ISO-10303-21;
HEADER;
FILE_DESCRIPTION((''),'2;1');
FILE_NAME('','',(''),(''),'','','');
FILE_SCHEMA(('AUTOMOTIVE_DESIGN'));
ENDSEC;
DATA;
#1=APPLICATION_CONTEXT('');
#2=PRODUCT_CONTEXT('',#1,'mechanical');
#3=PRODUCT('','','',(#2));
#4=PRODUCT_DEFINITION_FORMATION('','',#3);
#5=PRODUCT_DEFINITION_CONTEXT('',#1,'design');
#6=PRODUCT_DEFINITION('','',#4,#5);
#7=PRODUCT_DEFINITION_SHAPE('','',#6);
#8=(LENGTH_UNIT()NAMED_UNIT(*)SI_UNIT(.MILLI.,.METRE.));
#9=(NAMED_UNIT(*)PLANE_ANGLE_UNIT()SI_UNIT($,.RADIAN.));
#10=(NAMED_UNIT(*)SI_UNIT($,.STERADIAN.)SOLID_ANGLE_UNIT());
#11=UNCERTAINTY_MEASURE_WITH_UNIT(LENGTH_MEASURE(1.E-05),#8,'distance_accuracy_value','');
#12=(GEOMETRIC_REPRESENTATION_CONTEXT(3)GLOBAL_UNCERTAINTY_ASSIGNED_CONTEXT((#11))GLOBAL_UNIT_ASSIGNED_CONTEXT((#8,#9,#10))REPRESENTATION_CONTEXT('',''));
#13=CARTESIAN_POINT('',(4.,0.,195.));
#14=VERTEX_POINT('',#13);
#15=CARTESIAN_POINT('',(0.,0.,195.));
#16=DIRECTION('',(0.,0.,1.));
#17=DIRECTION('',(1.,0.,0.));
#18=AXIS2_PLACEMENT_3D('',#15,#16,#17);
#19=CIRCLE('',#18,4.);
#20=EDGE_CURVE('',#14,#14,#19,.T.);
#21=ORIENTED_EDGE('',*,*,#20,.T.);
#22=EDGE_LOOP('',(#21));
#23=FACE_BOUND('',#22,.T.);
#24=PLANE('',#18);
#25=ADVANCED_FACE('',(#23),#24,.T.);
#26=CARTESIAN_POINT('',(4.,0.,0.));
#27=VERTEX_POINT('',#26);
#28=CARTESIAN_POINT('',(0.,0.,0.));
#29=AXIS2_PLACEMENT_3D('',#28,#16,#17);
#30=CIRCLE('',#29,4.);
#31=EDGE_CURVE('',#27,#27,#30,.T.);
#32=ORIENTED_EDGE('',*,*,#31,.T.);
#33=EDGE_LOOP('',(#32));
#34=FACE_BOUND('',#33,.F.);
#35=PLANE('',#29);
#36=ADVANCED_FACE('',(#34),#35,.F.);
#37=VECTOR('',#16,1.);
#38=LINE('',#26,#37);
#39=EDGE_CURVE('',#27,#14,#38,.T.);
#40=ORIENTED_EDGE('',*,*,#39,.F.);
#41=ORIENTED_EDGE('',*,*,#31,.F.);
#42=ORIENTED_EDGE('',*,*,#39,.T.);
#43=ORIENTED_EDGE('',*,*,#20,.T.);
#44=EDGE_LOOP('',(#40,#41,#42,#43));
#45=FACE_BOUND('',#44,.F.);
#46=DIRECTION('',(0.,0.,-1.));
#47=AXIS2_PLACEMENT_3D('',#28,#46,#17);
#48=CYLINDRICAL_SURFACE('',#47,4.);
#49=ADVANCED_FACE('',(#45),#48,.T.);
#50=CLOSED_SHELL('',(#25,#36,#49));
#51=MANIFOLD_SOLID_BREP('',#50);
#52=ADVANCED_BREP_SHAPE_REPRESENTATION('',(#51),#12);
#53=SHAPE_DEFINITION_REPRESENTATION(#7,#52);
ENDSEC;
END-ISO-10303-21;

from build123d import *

# Parameters (mm, degrees)
SKETCH_R  = 4
PAD_DEPTH = 195


with BuildPart() as part:
    # Sketch → Pad (new body)
    with BuildSketch(Plane.XY):
        Circle(SKETCH_R)
    extrude(amount=PAD_DEPTH)


solid = part.part
